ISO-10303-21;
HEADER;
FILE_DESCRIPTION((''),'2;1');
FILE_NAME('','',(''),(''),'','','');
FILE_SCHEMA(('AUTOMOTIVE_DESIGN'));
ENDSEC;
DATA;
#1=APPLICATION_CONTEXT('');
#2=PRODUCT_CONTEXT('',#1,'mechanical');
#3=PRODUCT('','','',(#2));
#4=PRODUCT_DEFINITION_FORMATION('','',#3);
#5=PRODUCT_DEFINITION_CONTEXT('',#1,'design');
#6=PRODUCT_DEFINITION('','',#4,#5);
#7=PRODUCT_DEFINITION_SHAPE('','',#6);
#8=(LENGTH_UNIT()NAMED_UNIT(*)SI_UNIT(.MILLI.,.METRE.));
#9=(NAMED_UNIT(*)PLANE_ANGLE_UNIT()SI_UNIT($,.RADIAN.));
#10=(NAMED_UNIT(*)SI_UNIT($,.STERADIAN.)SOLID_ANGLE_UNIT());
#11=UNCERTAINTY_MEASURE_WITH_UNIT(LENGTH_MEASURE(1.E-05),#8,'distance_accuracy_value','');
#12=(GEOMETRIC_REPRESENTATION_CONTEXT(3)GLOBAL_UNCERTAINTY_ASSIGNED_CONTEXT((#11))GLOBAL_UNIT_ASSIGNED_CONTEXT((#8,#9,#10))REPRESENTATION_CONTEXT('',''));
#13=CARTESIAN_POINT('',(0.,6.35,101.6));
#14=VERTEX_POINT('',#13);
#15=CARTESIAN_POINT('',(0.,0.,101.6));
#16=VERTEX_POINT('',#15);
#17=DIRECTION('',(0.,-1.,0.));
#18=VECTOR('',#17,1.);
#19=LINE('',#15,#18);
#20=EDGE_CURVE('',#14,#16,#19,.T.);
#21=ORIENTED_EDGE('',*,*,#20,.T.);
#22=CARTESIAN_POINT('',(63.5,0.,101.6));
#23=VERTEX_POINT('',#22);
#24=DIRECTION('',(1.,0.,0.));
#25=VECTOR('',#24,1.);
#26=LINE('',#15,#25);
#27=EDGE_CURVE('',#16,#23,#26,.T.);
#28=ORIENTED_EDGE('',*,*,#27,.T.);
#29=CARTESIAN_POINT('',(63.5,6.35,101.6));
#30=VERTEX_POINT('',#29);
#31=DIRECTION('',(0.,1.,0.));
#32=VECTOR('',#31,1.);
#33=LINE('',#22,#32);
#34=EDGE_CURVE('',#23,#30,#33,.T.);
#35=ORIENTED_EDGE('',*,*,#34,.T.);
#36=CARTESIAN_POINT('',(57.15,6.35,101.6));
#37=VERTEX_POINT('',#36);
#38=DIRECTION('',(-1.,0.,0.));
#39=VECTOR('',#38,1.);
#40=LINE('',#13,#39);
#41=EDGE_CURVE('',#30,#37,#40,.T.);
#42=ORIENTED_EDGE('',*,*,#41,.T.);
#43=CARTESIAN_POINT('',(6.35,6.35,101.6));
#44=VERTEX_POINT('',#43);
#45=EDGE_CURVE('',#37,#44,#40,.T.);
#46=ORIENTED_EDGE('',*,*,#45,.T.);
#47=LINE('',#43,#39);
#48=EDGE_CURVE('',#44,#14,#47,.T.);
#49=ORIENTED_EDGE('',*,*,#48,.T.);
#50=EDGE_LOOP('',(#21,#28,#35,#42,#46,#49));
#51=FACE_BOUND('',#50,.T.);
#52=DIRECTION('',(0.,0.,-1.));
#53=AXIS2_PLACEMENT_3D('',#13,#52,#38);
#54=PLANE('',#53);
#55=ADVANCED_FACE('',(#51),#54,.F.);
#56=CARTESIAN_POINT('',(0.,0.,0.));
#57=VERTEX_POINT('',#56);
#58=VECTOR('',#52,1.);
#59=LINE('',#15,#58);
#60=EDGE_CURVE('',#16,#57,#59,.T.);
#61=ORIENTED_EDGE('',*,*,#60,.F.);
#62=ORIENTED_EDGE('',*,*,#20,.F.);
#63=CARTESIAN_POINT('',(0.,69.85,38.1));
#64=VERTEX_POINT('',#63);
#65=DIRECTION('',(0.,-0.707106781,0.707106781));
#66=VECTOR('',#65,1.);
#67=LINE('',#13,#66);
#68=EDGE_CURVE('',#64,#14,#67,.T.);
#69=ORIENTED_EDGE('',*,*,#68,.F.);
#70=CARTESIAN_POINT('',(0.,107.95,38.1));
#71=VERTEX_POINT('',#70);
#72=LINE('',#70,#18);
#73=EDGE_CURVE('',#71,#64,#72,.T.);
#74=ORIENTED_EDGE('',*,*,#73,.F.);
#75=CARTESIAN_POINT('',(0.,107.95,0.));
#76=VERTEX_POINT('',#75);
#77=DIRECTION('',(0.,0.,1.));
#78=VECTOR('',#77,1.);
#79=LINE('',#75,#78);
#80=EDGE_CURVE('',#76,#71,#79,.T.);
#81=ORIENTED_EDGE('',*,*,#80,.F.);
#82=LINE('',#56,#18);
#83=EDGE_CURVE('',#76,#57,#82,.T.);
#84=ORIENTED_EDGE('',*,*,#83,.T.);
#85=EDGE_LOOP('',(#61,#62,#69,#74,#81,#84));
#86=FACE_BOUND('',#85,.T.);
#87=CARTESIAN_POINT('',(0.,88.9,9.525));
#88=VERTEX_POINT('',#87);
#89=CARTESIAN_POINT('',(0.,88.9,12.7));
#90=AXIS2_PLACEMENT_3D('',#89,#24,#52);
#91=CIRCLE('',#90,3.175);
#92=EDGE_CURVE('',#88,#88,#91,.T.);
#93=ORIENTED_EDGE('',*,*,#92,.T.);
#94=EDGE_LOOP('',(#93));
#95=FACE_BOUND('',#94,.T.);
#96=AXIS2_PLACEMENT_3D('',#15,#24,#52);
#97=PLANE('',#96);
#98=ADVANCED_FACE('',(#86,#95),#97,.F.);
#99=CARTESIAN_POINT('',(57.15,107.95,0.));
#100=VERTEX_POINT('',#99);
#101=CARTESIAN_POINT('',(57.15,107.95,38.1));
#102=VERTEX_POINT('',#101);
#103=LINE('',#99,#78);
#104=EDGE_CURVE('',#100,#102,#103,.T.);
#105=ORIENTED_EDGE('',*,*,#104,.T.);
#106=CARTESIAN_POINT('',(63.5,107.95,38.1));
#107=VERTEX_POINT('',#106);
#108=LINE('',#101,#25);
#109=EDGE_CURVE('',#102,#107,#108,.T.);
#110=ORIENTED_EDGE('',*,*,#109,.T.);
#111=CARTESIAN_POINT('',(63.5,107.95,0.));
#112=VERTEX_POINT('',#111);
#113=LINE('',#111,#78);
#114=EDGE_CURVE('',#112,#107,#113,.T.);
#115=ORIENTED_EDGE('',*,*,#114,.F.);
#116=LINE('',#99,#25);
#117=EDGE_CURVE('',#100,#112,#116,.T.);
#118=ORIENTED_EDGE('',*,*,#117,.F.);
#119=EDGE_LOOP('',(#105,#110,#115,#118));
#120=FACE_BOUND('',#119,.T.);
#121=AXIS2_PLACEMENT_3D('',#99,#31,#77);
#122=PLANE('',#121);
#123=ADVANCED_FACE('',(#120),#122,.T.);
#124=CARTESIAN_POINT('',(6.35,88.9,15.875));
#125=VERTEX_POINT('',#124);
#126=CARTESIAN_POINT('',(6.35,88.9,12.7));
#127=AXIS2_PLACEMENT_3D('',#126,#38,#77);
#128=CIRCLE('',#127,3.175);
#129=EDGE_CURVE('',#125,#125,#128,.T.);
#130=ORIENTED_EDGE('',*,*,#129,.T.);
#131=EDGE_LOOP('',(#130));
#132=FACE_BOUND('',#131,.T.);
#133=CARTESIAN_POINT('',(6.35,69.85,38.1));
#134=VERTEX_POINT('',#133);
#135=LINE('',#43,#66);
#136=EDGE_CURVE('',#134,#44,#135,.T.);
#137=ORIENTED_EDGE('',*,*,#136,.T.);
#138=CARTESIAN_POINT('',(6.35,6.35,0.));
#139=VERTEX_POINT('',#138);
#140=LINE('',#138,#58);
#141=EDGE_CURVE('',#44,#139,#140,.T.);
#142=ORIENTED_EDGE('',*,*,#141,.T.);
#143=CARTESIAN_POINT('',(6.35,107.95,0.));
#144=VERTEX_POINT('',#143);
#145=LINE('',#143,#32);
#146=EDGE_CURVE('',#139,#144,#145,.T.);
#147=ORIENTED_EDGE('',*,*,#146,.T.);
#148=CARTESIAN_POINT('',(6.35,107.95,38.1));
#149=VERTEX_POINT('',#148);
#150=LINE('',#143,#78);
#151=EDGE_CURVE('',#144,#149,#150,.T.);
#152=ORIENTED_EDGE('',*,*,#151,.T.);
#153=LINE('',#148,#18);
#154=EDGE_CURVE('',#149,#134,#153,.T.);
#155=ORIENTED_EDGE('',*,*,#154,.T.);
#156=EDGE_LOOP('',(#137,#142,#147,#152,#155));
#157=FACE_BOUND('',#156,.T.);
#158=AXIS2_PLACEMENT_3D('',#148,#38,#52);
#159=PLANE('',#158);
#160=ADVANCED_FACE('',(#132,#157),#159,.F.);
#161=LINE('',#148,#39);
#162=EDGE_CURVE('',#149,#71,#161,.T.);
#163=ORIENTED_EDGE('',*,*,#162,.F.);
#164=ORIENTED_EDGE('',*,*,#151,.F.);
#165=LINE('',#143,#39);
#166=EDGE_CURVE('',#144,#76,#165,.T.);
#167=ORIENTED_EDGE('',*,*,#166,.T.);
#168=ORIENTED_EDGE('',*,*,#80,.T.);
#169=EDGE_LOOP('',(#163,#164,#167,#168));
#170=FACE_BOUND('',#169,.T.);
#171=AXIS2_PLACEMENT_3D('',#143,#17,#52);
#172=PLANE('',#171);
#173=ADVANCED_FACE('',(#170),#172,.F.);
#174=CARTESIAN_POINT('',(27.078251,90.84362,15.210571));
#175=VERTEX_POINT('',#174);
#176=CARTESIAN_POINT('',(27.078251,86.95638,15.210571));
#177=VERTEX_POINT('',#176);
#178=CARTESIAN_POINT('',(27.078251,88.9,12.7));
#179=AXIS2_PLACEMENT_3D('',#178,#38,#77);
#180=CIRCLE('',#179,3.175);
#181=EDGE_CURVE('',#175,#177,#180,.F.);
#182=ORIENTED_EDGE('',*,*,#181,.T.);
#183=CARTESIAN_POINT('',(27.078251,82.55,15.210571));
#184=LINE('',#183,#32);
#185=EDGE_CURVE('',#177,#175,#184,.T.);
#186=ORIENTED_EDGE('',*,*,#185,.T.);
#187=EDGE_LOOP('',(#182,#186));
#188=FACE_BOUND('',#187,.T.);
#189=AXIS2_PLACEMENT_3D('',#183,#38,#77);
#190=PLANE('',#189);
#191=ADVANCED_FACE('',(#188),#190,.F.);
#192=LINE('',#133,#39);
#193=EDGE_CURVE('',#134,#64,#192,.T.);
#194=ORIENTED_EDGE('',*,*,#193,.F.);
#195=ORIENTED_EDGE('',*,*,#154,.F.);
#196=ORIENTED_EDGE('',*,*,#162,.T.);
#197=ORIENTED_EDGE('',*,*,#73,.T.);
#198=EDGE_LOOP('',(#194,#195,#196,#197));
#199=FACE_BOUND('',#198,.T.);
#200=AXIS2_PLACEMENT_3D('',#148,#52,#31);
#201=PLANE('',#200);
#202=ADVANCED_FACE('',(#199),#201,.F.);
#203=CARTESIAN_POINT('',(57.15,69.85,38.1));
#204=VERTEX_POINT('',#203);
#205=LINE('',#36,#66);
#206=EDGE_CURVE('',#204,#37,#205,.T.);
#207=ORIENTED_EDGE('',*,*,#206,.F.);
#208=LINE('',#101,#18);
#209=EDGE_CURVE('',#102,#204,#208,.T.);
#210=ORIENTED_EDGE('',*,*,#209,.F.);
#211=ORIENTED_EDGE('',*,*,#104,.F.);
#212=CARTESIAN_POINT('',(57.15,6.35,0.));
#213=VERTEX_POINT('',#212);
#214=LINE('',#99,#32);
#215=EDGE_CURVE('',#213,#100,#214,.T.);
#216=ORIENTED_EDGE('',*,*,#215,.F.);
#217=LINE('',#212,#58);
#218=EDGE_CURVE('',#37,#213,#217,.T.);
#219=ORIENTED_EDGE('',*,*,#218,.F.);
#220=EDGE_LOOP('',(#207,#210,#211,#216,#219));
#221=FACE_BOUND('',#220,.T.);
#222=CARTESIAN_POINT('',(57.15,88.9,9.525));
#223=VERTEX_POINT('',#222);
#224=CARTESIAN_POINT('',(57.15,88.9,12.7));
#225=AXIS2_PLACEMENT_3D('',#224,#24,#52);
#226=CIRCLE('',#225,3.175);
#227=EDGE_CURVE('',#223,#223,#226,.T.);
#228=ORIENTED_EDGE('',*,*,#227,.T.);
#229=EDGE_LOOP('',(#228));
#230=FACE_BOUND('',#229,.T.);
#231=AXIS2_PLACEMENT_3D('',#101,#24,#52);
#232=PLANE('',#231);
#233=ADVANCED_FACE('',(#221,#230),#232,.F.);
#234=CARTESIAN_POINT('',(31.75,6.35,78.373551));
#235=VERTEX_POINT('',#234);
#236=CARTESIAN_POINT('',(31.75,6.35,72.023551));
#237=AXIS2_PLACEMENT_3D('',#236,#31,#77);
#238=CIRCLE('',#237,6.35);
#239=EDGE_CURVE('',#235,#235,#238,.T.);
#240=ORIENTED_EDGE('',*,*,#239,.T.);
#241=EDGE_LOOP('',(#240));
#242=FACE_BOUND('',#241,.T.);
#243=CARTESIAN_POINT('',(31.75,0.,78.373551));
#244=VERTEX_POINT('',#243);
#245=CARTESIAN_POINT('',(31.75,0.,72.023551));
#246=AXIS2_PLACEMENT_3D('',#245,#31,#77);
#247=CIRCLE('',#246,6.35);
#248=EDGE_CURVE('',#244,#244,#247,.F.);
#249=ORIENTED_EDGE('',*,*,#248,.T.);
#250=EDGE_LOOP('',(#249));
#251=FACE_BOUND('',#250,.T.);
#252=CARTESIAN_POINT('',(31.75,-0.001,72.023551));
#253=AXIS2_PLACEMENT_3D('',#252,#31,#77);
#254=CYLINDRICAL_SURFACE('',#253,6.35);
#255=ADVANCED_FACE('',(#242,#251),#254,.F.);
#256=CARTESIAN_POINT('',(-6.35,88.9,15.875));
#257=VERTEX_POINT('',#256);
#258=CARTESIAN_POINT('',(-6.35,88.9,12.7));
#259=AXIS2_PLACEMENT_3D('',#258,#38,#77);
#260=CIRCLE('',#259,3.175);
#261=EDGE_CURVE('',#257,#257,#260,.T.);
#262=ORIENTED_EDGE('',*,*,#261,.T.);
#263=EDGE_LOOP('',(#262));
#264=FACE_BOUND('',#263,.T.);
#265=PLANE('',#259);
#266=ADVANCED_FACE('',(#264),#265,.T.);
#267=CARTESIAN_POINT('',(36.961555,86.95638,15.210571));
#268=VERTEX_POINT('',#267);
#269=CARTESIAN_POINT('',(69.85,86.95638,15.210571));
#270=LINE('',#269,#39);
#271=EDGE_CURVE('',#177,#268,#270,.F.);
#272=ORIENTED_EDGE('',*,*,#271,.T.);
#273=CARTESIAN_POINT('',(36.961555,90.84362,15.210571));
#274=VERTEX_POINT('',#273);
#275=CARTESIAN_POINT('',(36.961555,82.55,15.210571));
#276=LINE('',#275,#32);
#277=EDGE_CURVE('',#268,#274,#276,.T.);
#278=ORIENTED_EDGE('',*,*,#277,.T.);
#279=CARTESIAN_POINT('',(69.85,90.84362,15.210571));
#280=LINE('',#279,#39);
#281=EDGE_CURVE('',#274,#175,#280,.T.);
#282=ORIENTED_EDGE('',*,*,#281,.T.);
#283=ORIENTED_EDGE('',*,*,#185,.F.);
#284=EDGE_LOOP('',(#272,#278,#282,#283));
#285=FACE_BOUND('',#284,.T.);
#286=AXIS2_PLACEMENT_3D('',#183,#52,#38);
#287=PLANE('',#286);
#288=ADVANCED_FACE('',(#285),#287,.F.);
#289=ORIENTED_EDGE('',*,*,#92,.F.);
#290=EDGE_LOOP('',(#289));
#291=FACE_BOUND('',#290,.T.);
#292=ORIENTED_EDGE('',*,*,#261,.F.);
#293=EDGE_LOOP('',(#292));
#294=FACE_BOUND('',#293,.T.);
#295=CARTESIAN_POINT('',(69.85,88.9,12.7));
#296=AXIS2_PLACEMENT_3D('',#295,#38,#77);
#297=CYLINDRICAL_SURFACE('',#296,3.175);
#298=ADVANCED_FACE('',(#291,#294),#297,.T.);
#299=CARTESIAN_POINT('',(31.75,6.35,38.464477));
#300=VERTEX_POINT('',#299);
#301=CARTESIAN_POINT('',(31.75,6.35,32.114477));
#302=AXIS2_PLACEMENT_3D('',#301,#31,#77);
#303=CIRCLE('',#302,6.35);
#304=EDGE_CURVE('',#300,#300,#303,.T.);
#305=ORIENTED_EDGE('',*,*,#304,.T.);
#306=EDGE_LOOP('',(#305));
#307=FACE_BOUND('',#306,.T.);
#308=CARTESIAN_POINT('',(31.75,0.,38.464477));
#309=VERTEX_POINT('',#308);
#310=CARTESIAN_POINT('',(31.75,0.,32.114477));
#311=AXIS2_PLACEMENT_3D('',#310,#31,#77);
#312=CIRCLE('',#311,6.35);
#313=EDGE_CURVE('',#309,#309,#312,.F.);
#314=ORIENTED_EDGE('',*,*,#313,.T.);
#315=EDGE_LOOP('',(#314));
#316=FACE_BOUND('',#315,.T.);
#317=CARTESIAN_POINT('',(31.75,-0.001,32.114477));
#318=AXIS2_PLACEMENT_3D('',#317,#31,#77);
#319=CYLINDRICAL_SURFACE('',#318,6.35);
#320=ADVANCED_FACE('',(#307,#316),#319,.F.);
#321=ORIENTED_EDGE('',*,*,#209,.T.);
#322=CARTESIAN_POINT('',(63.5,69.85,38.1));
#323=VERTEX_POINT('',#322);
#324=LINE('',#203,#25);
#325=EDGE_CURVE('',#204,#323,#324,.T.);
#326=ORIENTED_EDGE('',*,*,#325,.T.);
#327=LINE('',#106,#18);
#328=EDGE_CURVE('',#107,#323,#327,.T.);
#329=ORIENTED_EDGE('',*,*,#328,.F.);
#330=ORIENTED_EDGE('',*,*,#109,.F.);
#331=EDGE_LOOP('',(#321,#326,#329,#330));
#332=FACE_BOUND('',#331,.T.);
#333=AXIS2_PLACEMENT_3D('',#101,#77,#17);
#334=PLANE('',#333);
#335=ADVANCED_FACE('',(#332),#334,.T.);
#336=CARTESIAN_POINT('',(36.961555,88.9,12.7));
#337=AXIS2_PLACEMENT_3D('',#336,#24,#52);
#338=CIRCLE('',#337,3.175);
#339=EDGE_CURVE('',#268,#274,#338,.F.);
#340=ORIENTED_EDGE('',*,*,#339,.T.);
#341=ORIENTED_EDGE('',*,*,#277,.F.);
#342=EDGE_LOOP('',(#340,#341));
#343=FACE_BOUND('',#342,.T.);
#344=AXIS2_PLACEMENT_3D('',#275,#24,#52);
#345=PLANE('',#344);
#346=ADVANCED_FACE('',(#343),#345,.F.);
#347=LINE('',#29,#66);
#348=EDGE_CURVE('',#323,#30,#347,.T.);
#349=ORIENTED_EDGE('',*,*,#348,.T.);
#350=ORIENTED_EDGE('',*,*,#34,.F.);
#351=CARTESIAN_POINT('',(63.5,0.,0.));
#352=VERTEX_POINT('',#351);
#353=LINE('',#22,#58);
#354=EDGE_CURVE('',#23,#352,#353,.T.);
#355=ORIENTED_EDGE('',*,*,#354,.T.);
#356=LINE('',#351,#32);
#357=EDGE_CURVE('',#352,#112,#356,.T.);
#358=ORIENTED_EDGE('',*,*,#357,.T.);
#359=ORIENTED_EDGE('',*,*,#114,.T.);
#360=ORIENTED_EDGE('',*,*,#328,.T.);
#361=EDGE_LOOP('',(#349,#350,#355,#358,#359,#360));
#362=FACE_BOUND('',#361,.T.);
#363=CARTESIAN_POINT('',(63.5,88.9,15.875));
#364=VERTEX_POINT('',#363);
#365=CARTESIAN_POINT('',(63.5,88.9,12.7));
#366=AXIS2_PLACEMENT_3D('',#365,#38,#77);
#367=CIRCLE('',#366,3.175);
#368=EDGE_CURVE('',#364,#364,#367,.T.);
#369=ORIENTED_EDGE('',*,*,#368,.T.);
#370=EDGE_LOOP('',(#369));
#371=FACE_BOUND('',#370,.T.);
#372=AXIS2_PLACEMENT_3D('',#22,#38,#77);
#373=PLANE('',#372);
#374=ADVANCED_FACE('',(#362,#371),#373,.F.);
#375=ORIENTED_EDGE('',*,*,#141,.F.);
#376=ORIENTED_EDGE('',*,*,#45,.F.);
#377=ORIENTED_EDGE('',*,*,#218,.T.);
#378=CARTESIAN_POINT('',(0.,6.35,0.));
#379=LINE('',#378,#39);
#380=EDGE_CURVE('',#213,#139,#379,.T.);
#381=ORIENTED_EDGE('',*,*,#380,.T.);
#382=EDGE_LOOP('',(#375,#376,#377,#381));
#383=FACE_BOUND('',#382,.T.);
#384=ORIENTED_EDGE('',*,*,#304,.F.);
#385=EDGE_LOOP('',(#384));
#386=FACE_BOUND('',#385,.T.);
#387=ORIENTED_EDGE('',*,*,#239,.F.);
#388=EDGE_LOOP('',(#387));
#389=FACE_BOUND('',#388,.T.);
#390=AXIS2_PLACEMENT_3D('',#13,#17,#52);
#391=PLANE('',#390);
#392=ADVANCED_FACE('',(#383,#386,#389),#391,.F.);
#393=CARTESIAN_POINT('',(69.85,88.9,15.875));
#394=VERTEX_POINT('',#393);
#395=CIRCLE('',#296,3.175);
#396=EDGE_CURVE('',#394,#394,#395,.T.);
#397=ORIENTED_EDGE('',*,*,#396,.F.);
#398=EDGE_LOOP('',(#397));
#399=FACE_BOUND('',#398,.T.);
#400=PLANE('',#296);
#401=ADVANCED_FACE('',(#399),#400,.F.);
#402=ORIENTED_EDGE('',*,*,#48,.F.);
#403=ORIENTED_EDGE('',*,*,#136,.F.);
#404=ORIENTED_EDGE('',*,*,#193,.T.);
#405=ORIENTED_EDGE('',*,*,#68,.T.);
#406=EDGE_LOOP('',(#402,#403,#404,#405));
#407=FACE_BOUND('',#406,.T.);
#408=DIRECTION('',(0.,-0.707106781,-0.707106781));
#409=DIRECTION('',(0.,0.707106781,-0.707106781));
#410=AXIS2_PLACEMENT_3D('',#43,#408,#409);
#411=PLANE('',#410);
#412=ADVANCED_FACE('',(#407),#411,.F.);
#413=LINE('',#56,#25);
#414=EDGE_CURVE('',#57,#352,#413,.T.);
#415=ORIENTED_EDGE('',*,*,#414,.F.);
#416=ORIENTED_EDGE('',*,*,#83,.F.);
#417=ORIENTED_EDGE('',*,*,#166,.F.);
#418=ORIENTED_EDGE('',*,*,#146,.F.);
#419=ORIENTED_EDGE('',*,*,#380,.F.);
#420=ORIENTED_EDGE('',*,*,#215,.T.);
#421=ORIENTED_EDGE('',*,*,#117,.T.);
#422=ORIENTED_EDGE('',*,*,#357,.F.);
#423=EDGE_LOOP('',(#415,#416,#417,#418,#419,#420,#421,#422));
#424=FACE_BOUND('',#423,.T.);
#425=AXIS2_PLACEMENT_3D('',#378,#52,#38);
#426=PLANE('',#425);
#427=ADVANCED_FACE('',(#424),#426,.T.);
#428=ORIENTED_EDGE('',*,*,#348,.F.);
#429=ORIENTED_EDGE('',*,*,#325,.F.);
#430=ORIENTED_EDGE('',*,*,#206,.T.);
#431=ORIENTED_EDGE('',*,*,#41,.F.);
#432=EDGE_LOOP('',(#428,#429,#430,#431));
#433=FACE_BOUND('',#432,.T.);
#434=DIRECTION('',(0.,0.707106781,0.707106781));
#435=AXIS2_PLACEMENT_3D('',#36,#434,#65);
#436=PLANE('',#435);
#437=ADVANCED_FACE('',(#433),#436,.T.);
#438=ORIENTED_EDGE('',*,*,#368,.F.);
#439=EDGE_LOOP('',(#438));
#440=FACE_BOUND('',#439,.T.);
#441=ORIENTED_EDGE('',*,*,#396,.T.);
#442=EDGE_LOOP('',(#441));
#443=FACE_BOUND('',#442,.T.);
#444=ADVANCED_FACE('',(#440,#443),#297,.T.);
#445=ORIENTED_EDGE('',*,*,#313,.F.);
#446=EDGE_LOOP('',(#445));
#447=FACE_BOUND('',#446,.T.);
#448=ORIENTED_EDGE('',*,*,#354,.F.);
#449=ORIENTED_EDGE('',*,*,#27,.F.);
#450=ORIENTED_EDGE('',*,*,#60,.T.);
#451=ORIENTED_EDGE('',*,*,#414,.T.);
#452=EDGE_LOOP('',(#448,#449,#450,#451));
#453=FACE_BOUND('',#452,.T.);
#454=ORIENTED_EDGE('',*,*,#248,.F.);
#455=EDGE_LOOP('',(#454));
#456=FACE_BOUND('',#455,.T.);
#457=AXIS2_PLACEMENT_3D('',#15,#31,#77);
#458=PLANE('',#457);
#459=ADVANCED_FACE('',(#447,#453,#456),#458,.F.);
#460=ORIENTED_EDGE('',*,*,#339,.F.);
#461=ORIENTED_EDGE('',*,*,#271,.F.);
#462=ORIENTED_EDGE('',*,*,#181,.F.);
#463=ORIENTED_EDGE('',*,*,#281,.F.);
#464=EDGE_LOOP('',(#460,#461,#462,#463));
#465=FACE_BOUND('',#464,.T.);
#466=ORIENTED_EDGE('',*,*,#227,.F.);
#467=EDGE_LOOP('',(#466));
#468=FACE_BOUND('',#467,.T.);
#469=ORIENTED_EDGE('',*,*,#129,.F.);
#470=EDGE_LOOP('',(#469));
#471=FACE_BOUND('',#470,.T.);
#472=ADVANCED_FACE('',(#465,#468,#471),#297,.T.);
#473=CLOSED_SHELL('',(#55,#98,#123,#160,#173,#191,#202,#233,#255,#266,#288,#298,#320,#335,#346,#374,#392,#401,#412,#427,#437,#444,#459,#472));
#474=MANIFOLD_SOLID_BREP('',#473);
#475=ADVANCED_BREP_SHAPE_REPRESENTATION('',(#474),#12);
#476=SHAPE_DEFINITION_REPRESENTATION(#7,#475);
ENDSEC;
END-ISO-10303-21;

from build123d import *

# Parameters (mm, degrees)
SKETCH2_W                = 63.5
SKETCH2_H                = 6.35
BASE_DEPTH               = 101.6
RIB_DEPTH                = 6.35
CUT_EXTRUDE1_DEPTH       = 159.876949241
CUT_EXTRUDE1_DEPTH_BACK  = 159.876949241
SKETCH5_R                = 3.175
BOSS_EXTRUDE1_DEPTH      = 63.5
BOSS_EXTRUDE1_DEPTH_BACK = 12.7
SKETCH5_2_R              = 3.175
CUT_EXTRUDE2_REACH       = 161.763
SKETCH6_R                = 6.35
SKETCH7_W                = 9.883303814
SKETCH7_H                = 2.121203366
CUT_EXTRUDE3_DEPTH       = 25.4


with BuildPart() as part:
    # Sketch2 → Base (new body)
    with BuildSketch(Plane.XY):
        with Locations((31.75, 3.175)):
            Rectangle(SKETCH2_W, SKETCH2_H)
    extrude(amount=BASE_DEPTH)

    # Sketch4 → Rib (add)
    with BuildSketch(Plane(origin=(63.5, 0, 0), x_dir=(0, 0, -1), z_dir=(1, 0, 0))):
        Polygon((0, 107.95), (0, 6.35), (-101.6, 6.35), (-38.1, 69.85), (-38.1, 107.95), align=None)
    rib = extrude(amount=-RIB_DEPTH)

    # RibCopy: Rib across plane
    add(rib.mirror(Plane.ZY.offset(-31.75)))

    # Sketch5 → Cut-Extrude1 (cut, two sides: drawn at the far end of the back side and taken through both)
    with BuildSketch(Plane.ZY.offset(-57.15).offset(-CUT_EXTRUDE1_DEPTH_BACK)):
        with Locations((12.7, 88.9)):
            Circle(SKETCH5_R)
    extrude(amount=CUT_EXTRUDE1_DEPTH + CUT_EXTRUDE1_DEPTH_BACK, mode=Mode.SUBTRACT)

    # Sketch5<2> → Boss-Extrude1 (add, two sides: drawn at the far end of the back side and taken through both)
    with BuildSketch(Plane.ZY.offset(-57.15).offset(-BOSS_EXTRUDE1_DEPTH_BACK)):
        with Locations((12.7, 88.9)):
            Circle(SKETCH5_2_R)
    extrude(amount=BOSS_EXTRUDE1_DEPTH + BOSS_EXTRUDE1_DEPTH_BACK)

    # Sketch6 → Cut-Extrude2 (cut, up to next)
    with BuildSketch(Plane(origin=(0, 6.35, 0), x_dir=(-1, 0, 0), z_dir=(0, 1, 0)), mode=Mode.PRIVATE) as cut_extrude2_sk1:
        with Locations((-31.75, 72.023550981)):
            Circle(SKETCH6_R)
    cut_extrude2_tool1 = extrude(cut_extrude2_sk1.sketch, amount=-CUT_EXTRUDE2_REACH, mode=Mode.PRIVATE) & part.part
    # Sketch6 → Cut-Extrude2 (cut, up to next)
    with BuildSketch(Plane(origin=(0, 6.35, 0), x_dir=(-1, 0, 0), z_dir=(0, 1, 0)), mode=Mode.PRIVATE) as cut_extrude2_sk2:
        with Locations((-31.75, 32.114477008)):
            Circle(SKETCH6_R)
    cut_extrude2_tool2 = extrude(cut_extrude2_sk2.sketch, amount=-CUT_EXTRUDE2_REACH, mode=Mode.PRIVATE) & part.part
    add(cut_extrude2_tool1.solids().sort_by_distance((31.75, 6.35, 72.023551))[0], mode=Mode.SUBTRACT)
    add(cut_extrude2_tool2.solids().sort_by_distance((31.75, 6.35, 32.114477))[0], mode=Mode.SUBTRACT)

    # Sketch7 → Cut-Extrude3 (cut)
    with BuildSketch(Plane(origin=(0, 107.95, 0), x_dir=(-1, 0, 0), z_dir=(0, 1, 0))):
        with Locations((-32.019903214, 16.271172427)):
            Rectangle(SKETCH7_W, SKETCH7_H)
    extrude(amount=-CUT_EXTRUDE3_DEPTH, mode=Mode.SUBTRACT)


solid = part.part
